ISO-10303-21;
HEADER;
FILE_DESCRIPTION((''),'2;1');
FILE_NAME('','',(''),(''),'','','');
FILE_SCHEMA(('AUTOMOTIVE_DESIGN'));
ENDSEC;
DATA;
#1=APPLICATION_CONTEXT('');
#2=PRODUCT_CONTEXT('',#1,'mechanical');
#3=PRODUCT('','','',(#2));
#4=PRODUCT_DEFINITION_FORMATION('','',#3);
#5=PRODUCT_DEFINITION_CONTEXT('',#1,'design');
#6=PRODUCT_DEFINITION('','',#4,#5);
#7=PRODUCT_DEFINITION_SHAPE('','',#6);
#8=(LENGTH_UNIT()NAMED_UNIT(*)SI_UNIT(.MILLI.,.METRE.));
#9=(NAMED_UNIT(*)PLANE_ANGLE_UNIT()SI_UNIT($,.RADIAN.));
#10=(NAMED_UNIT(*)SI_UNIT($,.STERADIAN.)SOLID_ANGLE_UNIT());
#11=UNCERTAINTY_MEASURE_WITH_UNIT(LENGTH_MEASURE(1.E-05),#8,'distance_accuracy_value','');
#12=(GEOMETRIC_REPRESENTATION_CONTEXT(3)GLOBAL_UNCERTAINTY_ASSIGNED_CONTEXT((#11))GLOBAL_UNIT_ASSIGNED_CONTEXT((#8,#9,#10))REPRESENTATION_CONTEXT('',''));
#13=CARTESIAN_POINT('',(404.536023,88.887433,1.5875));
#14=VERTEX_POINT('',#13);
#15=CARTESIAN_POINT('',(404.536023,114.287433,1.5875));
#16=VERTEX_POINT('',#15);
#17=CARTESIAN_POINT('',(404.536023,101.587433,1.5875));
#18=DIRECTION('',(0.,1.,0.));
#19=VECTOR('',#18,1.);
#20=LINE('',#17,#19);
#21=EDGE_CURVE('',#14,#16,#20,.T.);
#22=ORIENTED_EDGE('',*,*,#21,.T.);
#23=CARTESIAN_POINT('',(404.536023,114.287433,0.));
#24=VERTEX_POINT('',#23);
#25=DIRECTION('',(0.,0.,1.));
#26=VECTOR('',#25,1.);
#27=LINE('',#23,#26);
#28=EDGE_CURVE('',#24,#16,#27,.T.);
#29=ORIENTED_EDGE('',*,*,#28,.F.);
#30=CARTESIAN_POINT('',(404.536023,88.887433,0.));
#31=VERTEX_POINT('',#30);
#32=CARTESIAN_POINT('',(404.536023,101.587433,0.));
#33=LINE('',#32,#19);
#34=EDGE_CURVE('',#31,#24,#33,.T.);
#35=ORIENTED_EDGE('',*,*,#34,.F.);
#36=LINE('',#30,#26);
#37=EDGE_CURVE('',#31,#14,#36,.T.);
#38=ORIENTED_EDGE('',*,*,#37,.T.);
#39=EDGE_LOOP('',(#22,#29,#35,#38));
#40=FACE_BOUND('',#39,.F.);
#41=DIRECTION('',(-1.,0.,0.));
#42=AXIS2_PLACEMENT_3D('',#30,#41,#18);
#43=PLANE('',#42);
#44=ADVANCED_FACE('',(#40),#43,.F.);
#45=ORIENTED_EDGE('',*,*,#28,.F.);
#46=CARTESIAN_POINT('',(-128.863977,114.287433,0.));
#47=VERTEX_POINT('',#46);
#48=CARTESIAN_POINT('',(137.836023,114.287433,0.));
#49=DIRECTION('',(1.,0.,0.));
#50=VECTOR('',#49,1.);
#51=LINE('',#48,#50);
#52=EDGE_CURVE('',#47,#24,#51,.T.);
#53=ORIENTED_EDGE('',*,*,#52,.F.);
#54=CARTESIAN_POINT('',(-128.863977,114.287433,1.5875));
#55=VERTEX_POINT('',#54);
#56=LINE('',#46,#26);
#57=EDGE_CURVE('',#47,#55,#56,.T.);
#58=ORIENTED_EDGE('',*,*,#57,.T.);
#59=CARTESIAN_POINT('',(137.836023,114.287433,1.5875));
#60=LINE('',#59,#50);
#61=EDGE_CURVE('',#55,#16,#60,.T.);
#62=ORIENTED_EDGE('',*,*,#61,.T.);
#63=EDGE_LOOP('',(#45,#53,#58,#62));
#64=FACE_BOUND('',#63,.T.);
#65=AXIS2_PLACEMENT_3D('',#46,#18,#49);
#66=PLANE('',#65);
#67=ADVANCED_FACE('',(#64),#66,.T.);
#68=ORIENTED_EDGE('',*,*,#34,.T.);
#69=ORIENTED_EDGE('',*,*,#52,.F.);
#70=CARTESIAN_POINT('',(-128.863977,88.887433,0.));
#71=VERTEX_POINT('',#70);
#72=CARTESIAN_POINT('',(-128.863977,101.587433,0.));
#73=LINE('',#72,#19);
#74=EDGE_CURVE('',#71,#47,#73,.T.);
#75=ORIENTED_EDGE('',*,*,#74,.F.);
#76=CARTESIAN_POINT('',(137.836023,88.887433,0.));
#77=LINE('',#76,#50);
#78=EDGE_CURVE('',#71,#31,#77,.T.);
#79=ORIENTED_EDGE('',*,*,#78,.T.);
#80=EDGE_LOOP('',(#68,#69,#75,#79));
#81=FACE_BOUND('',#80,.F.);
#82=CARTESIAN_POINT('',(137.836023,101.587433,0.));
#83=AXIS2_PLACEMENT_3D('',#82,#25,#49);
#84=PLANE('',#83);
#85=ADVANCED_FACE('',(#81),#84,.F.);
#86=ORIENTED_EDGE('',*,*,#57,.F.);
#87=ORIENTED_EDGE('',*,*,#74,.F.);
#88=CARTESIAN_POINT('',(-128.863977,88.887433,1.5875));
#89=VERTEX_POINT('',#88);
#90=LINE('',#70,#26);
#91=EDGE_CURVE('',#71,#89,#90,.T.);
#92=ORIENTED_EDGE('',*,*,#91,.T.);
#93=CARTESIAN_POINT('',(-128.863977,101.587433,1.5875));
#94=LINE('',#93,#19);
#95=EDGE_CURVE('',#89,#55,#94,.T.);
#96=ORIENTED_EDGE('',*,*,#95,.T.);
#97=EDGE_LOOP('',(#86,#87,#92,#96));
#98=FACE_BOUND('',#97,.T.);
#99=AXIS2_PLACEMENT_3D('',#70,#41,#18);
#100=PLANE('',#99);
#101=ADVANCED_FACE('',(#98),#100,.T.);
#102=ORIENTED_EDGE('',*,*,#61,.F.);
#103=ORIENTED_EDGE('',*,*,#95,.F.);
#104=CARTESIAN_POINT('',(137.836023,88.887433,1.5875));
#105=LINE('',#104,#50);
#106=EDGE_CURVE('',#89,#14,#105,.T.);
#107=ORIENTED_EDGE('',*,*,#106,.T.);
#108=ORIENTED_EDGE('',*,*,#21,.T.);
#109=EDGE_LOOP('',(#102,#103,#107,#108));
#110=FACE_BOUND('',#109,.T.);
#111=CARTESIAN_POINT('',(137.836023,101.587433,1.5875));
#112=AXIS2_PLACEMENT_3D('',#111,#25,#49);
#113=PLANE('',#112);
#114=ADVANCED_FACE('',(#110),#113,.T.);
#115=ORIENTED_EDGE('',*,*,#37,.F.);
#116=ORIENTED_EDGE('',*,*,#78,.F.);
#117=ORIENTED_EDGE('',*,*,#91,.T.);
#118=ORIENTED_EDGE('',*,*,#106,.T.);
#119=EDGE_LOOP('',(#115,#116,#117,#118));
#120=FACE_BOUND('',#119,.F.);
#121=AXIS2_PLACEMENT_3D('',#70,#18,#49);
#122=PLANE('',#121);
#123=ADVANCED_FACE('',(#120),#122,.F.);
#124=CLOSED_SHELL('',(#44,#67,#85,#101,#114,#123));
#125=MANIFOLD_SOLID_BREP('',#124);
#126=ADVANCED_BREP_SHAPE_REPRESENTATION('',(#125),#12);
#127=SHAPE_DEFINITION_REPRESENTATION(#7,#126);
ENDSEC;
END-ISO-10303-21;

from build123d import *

# Parameters (mm, degrees)
SKETCH1_W           = 533.4
SKETCH1_H           = 25.4
BOSS_EXTRUDE1_DEPTH = 1.5875


with BuildPart() as part:
    # Sketch1 → Boss-Extrude1 (new body)
    with BuildSketch(Plane.XY):
        with Locations((137.836022729, 101.587432877)):
            Rectangle(SKETCH1_W, SKETCH1_H)
    extrude(amount=BOSS_EXTRUDE1_DEPTH)


solid = part.part
